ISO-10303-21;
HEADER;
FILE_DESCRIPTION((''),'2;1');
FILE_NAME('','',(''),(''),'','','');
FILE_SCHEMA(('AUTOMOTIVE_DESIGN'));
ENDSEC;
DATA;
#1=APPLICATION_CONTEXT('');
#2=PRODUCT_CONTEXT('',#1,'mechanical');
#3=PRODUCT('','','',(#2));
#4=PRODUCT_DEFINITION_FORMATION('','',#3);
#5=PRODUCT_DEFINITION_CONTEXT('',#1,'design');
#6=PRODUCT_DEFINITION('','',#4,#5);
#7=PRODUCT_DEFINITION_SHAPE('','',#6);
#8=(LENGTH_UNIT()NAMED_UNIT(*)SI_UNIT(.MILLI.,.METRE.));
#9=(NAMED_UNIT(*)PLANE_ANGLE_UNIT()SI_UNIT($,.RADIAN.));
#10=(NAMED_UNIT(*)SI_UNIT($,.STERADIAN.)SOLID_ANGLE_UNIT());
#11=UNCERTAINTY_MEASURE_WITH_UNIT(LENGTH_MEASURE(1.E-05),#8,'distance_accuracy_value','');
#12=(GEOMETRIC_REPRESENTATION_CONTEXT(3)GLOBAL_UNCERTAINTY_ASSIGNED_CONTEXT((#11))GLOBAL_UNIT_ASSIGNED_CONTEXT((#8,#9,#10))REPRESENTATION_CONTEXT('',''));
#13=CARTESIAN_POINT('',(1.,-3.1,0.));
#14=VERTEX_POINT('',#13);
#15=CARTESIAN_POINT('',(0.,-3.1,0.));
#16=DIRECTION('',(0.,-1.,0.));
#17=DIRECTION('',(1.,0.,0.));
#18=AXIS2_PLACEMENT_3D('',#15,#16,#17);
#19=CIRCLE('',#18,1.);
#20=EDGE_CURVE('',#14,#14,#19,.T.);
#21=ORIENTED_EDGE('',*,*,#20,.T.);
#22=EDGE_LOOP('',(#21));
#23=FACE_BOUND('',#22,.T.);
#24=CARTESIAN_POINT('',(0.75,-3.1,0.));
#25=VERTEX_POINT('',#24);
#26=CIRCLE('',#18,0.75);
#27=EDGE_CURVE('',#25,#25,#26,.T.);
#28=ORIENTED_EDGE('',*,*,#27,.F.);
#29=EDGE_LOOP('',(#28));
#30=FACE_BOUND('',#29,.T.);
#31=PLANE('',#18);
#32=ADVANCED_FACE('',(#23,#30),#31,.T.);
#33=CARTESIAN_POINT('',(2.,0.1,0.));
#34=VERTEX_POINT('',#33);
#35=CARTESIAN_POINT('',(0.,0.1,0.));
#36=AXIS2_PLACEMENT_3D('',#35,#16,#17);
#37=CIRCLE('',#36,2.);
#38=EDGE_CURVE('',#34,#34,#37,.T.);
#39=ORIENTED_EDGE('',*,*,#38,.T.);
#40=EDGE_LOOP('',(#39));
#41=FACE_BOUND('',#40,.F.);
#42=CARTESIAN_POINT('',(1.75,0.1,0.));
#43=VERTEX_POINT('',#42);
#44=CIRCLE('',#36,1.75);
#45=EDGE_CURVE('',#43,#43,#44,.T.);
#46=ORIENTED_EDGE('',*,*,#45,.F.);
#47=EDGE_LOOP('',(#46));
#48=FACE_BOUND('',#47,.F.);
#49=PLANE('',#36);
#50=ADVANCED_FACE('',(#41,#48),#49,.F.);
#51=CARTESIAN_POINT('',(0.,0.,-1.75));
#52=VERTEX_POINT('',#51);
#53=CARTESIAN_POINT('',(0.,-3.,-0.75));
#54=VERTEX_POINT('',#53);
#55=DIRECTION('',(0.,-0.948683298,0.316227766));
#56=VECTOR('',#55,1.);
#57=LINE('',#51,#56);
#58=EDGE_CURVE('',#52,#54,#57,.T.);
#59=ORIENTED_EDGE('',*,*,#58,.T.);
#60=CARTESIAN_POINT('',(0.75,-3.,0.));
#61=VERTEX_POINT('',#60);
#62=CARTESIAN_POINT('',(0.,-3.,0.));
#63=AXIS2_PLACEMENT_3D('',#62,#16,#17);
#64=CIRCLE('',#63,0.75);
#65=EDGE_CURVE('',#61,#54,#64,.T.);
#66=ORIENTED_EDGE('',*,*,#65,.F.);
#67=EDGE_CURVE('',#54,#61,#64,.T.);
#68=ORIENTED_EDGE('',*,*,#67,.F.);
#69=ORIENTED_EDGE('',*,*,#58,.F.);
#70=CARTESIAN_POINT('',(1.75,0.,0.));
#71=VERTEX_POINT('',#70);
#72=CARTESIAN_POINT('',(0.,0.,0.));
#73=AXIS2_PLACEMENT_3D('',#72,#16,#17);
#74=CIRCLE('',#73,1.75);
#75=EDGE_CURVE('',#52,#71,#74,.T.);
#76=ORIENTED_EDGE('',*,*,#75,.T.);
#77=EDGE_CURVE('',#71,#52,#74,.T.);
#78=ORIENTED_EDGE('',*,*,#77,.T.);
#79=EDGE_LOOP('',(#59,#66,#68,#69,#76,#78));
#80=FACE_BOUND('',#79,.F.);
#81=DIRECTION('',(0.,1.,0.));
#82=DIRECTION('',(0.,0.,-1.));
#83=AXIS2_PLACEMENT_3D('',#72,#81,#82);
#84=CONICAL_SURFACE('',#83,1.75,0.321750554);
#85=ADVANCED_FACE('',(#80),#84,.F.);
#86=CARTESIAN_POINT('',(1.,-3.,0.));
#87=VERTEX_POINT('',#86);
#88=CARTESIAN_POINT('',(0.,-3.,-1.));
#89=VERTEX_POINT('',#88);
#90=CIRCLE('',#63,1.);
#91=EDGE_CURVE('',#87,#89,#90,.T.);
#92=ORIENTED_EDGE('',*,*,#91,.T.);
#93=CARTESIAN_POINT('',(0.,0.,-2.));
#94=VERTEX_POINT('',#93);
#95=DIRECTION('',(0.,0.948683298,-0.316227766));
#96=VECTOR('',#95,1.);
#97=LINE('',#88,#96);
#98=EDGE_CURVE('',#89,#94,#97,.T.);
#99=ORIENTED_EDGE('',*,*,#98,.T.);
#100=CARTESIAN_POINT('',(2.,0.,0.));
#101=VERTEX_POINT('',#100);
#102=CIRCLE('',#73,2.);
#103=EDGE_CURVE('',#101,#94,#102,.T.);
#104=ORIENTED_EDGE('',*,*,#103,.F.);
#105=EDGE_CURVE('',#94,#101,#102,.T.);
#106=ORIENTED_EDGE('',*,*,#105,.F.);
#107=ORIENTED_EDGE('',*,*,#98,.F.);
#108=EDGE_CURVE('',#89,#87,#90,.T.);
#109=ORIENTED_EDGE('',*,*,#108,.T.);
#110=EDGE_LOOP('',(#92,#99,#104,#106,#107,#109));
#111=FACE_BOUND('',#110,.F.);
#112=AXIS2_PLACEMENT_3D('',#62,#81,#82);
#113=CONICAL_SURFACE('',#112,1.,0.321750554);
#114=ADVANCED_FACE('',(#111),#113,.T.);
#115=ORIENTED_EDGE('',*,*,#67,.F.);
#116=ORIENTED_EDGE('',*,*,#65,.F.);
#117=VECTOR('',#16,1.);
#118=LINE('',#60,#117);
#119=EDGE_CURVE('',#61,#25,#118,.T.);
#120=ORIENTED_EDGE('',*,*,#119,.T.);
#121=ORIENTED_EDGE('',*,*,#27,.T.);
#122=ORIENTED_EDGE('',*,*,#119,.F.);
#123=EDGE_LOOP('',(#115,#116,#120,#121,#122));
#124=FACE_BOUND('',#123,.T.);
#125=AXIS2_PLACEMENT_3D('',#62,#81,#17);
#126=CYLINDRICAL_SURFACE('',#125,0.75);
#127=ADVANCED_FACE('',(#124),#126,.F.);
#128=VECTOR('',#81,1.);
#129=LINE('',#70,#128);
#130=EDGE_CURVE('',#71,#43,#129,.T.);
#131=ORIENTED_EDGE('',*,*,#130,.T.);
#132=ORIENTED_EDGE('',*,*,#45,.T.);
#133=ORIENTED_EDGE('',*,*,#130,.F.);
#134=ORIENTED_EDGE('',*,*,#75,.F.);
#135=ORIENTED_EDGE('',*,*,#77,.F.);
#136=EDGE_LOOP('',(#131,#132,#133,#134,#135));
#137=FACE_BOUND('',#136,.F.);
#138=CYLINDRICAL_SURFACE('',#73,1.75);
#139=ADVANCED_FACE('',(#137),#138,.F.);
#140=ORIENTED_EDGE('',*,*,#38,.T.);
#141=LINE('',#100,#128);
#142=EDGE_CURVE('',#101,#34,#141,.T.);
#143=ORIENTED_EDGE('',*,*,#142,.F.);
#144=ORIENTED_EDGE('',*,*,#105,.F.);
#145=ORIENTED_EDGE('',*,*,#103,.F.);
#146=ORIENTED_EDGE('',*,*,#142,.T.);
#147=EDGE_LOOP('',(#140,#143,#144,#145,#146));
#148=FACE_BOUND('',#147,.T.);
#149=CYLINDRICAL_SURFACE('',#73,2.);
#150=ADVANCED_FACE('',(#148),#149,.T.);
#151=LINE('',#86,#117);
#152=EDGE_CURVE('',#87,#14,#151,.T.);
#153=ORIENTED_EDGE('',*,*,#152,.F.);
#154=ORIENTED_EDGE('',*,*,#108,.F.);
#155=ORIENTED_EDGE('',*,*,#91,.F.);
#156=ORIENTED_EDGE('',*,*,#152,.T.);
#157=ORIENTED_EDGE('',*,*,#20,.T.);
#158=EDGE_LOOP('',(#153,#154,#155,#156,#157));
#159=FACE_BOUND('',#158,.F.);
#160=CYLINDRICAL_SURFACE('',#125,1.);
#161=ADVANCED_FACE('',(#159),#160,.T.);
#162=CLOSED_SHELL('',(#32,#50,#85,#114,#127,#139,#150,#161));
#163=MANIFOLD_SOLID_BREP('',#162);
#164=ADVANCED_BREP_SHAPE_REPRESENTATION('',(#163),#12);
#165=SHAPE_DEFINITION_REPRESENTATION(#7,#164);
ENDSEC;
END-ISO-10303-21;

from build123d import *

# Parameters (mm, degrees)
F2_R     = 1
F2_R_2   = 0.75
F3_DEPTH = 2
F1_R     = 2
F1_R_2   = 1.75
F4_DEPTH = 2
F7_DEPTH = 1.9
F8_DEPTH = 1.9


with BuildPart() as f3:
    # F2 (on offset) → F3 (new body)
    with BuildSketch(Plane.XZ.offset(3)):
        Circle(F2_R)
        Circle(F2_R_2, mode=Mode.SUBTRACT)
    extrude(amount=F3_DEPTH)



with BuildPart() as f4:
    # F1 (on Front) → F4 (new body)
    with BuildSketch(Plane.XZ):
        Circle(F1_R)
        Circle(F1_R_2, mode=Mode.SUBTRACT)
    extrude(amount=-F4_DEPTH)


with BuildPart() as f3_1:
    add(f3.part)

    add(f4.part)  # F6 merges F4
    # F5 (on Right) → F6 (revolve)
    with BuildSketch(Plane.YZ):
        Polygon((-3, -1), (0, -2), (0, -1.75), (-3, -0.75), align=None)
    revolve(axis=Axis((0, -1.5, 0), (0, -1, 0)))

    # F7 (cut): a face of the model
    f7_faces = [f3_1.faces().sort_by_distance(p)[0] for p in [
        (-0.9717157288, -5, 0),
    ]]
    extrude(f7_faces, amount=-F7_DEPTH, mode=Mode.SUBTRACT)

    # F8 (cut): a face of the model
    f8_faces = [f3_1.faces().sort_by_distance(p)[0] for p in [
        (-1.9434314575, 2, 0),
    ]]
    extrude(f8_faces, amount=-F8_DEPTH, mode=Mode.SUBTRACT)


solid = f3_1.part
